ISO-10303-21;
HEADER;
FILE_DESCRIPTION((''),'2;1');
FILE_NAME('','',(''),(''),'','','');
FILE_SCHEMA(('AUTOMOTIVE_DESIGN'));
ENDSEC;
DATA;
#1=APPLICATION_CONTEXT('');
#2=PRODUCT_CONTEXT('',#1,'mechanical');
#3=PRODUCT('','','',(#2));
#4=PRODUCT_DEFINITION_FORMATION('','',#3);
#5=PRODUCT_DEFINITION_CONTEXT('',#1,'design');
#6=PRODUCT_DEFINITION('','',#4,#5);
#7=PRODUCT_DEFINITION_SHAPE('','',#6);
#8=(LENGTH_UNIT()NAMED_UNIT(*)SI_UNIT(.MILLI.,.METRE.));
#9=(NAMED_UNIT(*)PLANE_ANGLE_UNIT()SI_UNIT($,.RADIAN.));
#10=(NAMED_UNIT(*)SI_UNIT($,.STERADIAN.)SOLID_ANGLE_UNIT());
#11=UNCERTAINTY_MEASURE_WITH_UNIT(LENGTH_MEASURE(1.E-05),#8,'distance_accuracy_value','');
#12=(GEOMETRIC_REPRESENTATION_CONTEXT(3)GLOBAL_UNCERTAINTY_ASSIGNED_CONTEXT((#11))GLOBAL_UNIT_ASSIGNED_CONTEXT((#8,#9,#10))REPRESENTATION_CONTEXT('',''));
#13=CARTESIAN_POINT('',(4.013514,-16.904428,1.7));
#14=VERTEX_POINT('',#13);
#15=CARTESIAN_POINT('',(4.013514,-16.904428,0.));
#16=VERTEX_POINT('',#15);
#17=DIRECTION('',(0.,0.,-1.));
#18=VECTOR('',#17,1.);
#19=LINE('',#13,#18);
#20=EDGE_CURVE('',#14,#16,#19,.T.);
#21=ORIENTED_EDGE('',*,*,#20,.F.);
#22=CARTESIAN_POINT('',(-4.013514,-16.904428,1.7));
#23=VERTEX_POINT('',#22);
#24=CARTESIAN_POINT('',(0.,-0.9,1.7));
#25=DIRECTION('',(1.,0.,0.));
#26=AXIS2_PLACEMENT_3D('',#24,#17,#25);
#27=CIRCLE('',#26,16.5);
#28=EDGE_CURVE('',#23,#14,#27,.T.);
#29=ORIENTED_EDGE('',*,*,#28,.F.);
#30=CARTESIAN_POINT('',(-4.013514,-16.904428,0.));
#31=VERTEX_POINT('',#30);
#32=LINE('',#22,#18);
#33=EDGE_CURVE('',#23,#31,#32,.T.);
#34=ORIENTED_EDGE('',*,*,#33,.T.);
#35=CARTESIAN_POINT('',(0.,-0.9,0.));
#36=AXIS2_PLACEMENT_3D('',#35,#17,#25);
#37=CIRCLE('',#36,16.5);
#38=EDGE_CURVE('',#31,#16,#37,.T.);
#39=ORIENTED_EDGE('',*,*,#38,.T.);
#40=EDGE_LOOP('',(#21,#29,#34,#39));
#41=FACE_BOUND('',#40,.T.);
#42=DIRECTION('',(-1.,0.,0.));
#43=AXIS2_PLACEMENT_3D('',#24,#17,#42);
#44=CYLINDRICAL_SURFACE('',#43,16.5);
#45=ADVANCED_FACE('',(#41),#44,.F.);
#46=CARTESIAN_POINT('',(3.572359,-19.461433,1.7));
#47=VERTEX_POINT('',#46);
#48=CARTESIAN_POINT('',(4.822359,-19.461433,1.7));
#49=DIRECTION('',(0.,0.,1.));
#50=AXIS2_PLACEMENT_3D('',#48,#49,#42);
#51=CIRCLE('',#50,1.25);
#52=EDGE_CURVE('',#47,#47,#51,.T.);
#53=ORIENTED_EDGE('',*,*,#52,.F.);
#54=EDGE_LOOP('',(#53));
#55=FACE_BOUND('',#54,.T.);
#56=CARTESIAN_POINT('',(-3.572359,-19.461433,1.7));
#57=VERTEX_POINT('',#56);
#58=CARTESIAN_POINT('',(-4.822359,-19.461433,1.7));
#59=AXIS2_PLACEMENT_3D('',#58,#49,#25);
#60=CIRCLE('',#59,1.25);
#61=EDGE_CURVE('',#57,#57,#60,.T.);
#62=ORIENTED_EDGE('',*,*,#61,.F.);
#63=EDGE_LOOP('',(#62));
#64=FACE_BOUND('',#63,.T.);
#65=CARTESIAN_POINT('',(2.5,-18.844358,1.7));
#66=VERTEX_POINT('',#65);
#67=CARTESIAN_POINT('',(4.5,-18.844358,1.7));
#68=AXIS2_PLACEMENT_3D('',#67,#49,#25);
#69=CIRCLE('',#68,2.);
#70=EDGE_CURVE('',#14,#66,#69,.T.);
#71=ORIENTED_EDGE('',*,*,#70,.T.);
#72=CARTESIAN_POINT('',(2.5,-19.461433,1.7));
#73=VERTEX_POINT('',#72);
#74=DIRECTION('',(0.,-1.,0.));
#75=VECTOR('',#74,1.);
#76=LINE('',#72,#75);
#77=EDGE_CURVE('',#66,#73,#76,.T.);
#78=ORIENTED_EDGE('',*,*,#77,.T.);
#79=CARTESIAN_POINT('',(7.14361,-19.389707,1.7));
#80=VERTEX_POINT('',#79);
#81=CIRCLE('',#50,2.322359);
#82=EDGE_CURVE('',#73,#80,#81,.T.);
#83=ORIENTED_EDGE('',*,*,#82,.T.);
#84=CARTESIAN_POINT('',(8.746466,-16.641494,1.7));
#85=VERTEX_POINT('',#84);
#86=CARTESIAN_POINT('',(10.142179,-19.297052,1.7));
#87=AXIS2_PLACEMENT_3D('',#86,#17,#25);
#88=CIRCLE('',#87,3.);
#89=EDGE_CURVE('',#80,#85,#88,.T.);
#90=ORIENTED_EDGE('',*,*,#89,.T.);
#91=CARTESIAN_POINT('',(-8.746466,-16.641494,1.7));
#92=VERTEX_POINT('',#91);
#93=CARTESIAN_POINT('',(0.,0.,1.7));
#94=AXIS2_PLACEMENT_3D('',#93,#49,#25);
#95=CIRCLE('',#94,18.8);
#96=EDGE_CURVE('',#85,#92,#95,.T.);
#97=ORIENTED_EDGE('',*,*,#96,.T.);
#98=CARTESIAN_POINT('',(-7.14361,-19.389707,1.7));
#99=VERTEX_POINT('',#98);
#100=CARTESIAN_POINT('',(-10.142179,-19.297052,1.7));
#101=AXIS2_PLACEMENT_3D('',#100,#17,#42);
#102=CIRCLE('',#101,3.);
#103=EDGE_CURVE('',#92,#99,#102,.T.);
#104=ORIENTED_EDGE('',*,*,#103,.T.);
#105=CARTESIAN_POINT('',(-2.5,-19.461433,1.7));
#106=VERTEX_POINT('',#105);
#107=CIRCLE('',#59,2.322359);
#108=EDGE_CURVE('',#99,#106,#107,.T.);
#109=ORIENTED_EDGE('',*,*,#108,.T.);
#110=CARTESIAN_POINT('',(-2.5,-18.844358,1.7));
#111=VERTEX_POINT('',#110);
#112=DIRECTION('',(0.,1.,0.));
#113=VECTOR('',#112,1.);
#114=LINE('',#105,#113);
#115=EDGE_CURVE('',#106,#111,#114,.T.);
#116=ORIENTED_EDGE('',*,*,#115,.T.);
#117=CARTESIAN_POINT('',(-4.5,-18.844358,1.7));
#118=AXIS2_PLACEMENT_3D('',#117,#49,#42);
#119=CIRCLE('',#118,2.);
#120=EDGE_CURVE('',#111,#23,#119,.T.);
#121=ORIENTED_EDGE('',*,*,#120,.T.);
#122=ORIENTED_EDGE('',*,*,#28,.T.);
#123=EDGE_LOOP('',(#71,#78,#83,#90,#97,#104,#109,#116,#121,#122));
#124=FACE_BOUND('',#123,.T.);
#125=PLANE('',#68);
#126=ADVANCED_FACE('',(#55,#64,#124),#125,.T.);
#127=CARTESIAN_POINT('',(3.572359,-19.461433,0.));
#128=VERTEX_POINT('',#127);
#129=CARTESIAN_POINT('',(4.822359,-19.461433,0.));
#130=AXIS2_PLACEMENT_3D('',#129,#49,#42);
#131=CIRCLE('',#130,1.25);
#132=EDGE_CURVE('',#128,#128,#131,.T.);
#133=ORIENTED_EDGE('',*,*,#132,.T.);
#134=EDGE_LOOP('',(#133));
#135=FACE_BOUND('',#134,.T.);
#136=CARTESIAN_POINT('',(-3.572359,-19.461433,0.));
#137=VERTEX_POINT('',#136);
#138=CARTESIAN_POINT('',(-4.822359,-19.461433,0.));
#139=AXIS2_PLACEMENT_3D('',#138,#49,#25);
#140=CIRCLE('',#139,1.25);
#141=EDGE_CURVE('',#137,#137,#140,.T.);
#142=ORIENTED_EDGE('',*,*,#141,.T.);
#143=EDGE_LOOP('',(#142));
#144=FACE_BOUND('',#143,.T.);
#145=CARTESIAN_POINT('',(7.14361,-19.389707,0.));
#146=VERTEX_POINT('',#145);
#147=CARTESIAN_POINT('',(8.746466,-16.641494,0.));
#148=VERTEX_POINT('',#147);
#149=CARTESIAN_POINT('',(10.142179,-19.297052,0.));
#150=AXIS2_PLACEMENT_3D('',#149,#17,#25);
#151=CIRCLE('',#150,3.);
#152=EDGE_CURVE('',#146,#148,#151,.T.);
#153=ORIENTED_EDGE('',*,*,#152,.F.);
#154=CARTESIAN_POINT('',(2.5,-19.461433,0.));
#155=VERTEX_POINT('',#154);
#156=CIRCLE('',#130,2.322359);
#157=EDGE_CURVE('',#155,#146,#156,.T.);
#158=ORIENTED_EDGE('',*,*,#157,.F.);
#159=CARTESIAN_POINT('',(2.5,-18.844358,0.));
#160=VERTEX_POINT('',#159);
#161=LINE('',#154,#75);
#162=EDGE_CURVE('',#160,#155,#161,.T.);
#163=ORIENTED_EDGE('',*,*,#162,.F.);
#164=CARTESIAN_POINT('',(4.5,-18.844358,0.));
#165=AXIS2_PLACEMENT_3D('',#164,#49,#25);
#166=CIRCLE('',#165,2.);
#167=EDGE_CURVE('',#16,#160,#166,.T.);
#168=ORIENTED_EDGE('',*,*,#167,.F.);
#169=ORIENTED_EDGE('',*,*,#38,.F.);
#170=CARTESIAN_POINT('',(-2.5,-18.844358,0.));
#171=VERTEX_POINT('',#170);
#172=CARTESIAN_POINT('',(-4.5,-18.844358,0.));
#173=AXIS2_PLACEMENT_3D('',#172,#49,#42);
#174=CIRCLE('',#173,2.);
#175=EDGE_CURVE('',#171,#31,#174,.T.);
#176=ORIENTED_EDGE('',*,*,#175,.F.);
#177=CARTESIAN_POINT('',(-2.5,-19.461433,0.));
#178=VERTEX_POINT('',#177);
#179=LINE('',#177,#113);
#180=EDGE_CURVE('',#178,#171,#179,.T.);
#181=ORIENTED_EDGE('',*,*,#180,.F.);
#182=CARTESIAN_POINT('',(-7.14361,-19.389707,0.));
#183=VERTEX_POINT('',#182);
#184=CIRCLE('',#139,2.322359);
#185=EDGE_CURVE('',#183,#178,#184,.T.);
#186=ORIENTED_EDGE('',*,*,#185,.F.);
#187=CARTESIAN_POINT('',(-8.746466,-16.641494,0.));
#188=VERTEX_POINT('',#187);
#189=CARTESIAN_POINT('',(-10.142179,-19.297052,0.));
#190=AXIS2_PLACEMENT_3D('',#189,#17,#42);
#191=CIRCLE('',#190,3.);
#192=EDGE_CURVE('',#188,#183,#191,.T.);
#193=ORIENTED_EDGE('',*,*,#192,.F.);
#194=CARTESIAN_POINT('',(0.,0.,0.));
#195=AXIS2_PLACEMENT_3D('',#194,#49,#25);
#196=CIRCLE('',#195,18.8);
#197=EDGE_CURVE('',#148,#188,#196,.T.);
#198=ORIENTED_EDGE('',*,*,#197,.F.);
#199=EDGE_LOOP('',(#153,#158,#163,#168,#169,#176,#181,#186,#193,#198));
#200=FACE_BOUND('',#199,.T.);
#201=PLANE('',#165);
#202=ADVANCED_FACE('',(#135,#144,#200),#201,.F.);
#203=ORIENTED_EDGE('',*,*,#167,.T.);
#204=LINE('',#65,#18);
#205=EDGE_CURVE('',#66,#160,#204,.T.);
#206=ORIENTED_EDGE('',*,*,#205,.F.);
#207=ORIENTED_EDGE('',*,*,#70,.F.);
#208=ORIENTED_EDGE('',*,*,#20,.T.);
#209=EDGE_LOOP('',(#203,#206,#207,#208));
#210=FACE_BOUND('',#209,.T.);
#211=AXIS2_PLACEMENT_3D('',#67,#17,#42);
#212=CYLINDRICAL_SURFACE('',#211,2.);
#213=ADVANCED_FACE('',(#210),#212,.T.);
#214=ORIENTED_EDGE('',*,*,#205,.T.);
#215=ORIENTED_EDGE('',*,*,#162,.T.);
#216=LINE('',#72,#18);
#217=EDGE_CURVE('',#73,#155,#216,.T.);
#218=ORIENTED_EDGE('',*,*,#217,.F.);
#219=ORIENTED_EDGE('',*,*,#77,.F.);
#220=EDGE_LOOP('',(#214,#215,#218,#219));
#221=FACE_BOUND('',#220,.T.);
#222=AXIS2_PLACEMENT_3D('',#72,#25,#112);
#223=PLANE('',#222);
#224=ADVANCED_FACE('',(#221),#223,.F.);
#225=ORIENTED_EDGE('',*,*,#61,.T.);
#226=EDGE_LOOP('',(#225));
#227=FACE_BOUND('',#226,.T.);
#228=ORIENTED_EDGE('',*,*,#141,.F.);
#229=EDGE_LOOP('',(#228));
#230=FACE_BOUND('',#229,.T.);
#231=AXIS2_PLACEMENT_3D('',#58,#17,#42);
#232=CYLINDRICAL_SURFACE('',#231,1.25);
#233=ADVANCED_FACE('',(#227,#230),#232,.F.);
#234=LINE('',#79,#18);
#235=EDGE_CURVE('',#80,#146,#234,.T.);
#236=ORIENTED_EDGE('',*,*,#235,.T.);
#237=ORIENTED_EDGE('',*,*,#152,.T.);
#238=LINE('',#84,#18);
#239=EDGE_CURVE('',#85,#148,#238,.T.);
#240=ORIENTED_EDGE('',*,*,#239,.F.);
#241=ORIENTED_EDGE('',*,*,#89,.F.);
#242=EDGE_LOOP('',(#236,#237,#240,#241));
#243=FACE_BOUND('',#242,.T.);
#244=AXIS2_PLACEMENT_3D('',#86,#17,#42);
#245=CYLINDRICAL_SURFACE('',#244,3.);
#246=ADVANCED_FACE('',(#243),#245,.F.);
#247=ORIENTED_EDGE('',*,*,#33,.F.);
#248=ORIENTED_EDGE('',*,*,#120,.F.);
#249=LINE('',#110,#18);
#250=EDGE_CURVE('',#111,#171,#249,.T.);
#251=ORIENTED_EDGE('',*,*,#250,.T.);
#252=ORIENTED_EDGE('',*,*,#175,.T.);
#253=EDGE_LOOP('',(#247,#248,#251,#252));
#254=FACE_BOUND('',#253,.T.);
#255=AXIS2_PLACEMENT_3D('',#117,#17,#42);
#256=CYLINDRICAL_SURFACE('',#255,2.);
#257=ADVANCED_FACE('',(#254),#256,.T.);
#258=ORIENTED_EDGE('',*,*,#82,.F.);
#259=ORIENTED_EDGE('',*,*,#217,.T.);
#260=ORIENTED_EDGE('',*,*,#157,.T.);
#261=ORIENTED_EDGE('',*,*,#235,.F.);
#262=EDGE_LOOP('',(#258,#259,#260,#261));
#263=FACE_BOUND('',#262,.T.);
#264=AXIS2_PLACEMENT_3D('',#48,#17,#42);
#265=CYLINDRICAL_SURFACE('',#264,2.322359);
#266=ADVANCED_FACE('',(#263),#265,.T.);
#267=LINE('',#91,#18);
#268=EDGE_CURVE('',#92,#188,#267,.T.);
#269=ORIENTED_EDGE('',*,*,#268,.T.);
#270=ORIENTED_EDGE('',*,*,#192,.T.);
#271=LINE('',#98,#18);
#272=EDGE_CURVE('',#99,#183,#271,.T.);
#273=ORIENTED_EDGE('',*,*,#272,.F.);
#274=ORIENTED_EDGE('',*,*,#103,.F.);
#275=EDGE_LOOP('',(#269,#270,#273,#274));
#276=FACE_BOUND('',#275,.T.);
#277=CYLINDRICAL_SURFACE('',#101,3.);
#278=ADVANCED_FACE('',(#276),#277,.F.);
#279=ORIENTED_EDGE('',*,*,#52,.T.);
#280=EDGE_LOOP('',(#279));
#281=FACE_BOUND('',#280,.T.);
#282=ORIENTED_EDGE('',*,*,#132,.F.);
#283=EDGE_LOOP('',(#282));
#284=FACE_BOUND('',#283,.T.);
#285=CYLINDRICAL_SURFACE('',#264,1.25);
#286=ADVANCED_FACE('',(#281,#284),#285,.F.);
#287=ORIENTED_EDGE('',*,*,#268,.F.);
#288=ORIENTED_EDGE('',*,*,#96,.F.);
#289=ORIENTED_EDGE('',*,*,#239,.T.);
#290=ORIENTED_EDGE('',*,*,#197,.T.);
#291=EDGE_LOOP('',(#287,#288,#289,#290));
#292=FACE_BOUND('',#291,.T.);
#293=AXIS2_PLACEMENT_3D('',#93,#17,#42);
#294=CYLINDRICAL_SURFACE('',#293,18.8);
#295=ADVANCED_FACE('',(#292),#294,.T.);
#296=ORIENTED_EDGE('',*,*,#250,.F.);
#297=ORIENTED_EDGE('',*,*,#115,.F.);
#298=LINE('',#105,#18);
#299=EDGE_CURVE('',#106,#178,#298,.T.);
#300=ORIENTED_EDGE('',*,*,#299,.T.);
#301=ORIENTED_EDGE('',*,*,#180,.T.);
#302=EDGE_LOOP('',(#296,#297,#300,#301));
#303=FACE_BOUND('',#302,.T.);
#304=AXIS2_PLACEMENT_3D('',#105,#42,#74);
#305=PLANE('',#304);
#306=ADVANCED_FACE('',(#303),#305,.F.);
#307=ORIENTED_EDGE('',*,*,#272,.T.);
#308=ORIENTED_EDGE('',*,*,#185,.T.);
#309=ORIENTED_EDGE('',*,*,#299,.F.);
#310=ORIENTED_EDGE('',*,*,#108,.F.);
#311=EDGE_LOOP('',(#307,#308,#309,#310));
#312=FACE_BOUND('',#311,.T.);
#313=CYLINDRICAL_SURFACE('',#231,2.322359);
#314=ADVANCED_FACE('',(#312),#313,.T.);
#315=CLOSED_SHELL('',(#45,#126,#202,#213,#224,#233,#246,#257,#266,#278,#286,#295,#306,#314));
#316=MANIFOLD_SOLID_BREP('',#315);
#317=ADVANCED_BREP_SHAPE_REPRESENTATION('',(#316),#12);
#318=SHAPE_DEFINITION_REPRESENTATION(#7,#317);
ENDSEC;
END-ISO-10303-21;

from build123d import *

# Parameters (mm, degrees)
SKETCH_1_R      = 1.25
EXTRUDE_1_DEPTH = 1.7


with BuildPart() as part:
    # Эскиз1 → Бобышка-Вытянуть1 (new body)
    with BuildSketch(Plane.XY):
        with BuildLine():
            Line((-2.5, -19.461432513), (-2.5, -18.844358445))
            ThreePointArc((-2.5, -18.844358445), (-2.923140309, -17.614109074), (-4.013513514, -16.904427802))
            ThreePointArc((-4.013513514, -16.904427802), (0, 15.6), (4.013513514, -16.904427802))
            ThreePointArc((4.013513514, -16.904427802), (2.923140309, -17.614109074), (2.5, -18.844358445))
            Line((2.5, -18.844358445), (2.5, -19.461432513))
            ThreePointArc((2.5, -19.461432513), (4.858226013, -21.783514339), (7.14360974, -19.389706671))
            ThreePointArc((7.14360974, -19.389706671), (7.550732033, -17.785627188), (8.746465933, -16.641494334))
            ThreePointArc((8.746465933, -16.641494334), (0, 18.8), (-8.746465933, -16.641494334))
            ThreePointArc((-8.746465933, -16.641494334), (-7.550732033, -17.785627188), (-7.14360974, -19.389706671))
            ThreePointArc((-7.14360974, -19.389706671), (-4.858226013, -21.783514339), (-2.5, -19.461432513))
        make_face()
        with Locations((-4.822358814, -19.461432513)):
            Circle(SKETCH_1_R, mode=Mode.SUBTRACT)
        with Locations((4.822358814, -19.461432513)):
            Circle(SKETCH_1_R, mode=Mode.SUBTRACT)
    extrude(amount=EXTRUDE_1_DEPTH)


solid = part.part
